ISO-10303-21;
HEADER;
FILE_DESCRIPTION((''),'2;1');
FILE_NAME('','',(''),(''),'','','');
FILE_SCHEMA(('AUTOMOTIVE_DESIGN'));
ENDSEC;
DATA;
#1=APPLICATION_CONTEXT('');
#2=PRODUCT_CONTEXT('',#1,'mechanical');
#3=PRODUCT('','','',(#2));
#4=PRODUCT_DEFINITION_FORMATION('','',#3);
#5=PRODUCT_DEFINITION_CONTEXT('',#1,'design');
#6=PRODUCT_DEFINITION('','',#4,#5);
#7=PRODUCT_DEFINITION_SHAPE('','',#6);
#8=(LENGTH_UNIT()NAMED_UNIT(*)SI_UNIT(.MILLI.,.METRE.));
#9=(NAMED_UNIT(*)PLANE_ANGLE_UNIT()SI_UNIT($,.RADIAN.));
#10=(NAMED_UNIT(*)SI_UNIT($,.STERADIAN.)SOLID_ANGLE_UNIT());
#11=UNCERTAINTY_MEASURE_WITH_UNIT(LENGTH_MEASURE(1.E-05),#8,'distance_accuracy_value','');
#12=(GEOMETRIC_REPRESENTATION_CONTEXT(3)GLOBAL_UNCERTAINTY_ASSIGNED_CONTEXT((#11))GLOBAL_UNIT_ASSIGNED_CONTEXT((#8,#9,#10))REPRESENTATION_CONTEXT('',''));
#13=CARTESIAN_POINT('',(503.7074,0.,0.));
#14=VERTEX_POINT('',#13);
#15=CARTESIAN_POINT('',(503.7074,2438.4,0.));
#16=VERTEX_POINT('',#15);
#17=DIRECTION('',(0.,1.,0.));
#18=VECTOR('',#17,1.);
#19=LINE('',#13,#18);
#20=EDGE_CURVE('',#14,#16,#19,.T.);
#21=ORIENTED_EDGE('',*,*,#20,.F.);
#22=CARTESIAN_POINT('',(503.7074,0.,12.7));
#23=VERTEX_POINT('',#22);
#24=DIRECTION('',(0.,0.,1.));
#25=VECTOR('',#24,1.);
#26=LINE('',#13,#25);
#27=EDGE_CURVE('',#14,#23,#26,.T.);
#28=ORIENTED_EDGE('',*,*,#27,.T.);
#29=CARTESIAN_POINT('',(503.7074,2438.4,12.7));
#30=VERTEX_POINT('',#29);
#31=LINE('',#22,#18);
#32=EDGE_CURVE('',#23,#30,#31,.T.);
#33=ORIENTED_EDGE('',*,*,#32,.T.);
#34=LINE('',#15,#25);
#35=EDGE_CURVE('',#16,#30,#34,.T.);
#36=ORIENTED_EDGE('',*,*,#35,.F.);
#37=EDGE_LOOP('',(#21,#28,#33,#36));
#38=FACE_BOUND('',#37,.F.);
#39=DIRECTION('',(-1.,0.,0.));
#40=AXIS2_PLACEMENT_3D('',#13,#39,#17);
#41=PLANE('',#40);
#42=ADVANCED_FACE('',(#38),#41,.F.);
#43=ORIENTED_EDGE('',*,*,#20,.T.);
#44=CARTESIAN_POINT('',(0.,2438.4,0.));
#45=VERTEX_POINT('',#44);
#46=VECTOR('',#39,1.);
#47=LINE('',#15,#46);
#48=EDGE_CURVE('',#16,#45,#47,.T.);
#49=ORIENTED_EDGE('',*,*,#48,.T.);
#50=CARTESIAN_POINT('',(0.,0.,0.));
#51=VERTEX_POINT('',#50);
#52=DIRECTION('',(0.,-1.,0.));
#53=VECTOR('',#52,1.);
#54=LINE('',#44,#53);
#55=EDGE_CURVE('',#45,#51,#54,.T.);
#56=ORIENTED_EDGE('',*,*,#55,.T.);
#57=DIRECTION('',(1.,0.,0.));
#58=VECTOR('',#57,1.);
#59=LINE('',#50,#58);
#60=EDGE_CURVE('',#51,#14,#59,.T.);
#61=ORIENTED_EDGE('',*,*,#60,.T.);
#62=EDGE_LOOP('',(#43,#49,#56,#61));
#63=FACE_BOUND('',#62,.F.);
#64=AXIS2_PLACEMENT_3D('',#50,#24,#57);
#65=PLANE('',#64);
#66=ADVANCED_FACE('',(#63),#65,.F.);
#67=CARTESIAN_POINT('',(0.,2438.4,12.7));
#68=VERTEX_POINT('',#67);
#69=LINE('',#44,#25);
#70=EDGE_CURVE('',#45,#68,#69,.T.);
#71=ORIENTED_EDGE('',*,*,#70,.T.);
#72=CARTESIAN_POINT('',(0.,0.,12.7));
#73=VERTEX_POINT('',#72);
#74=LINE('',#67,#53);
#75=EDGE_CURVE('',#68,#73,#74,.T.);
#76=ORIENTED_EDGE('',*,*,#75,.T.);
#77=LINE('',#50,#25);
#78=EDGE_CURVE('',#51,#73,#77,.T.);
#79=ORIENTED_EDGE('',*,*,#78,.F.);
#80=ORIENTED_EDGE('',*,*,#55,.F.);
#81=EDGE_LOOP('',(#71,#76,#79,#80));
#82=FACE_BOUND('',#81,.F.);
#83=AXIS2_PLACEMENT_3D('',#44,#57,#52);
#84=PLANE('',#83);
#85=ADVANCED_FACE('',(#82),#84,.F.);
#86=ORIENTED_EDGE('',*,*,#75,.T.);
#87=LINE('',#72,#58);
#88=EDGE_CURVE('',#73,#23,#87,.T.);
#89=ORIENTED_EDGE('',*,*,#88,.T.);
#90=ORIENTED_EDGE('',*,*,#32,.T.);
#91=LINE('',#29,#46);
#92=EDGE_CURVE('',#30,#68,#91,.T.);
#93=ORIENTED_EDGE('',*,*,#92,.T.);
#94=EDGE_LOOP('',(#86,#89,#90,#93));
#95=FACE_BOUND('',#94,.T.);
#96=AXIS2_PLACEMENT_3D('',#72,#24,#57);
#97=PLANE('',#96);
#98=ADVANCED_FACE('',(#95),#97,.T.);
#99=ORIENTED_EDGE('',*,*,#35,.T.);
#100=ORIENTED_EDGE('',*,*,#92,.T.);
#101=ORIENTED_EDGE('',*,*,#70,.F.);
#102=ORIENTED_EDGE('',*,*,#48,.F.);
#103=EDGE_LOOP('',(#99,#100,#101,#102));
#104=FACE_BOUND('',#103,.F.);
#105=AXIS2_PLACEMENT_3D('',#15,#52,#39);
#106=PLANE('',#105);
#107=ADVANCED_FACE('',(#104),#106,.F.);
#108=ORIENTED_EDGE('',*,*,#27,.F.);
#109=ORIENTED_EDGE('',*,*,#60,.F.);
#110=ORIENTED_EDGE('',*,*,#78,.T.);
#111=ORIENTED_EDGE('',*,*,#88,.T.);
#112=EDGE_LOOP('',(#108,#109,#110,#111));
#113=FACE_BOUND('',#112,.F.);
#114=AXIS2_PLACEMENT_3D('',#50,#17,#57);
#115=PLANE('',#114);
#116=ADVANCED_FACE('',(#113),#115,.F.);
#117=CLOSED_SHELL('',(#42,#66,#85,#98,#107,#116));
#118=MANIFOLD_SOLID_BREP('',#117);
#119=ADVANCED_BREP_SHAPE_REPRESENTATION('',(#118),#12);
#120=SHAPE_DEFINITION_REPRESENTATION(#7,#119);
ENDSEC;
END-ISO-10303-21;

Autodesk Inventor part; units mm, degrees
ref_plane "YZ Plane" through (0, 0, 0) normal (1, 0, 0) x (0, 1, 0)
ref_plane "XZ Plane" through (0, 0, 0) normal (0, 1, 0) x (-1, 0, 0)
ref_plane "XY Plane" through (0, 0, 0) normal (0, 0, 1) x (1, 0, 0)
sketch "Sketch1" plane through (0, 0, 0) normal (0, 0, 1) x (1, 0, 0)
  line L0 (0, 0) -> (503.7074, 0)
  line L1 (503.7074, 0) -> (503.7074, 2438.4)
  line L2 (503.7074, 2438.4) -> (0, 2438.4)
  line L3 (0, 2438.4) -> (0, 0)
  dimension "d2" = 2438.4
  dimension "d3" = 503.7074
extrude "Extrusion1" add sketch "Sketch1" along normal blind 12.7
properties part number "Sheathing_With_Dimensions_8.719_x_96_Inches" material "Wood (Birch)"
